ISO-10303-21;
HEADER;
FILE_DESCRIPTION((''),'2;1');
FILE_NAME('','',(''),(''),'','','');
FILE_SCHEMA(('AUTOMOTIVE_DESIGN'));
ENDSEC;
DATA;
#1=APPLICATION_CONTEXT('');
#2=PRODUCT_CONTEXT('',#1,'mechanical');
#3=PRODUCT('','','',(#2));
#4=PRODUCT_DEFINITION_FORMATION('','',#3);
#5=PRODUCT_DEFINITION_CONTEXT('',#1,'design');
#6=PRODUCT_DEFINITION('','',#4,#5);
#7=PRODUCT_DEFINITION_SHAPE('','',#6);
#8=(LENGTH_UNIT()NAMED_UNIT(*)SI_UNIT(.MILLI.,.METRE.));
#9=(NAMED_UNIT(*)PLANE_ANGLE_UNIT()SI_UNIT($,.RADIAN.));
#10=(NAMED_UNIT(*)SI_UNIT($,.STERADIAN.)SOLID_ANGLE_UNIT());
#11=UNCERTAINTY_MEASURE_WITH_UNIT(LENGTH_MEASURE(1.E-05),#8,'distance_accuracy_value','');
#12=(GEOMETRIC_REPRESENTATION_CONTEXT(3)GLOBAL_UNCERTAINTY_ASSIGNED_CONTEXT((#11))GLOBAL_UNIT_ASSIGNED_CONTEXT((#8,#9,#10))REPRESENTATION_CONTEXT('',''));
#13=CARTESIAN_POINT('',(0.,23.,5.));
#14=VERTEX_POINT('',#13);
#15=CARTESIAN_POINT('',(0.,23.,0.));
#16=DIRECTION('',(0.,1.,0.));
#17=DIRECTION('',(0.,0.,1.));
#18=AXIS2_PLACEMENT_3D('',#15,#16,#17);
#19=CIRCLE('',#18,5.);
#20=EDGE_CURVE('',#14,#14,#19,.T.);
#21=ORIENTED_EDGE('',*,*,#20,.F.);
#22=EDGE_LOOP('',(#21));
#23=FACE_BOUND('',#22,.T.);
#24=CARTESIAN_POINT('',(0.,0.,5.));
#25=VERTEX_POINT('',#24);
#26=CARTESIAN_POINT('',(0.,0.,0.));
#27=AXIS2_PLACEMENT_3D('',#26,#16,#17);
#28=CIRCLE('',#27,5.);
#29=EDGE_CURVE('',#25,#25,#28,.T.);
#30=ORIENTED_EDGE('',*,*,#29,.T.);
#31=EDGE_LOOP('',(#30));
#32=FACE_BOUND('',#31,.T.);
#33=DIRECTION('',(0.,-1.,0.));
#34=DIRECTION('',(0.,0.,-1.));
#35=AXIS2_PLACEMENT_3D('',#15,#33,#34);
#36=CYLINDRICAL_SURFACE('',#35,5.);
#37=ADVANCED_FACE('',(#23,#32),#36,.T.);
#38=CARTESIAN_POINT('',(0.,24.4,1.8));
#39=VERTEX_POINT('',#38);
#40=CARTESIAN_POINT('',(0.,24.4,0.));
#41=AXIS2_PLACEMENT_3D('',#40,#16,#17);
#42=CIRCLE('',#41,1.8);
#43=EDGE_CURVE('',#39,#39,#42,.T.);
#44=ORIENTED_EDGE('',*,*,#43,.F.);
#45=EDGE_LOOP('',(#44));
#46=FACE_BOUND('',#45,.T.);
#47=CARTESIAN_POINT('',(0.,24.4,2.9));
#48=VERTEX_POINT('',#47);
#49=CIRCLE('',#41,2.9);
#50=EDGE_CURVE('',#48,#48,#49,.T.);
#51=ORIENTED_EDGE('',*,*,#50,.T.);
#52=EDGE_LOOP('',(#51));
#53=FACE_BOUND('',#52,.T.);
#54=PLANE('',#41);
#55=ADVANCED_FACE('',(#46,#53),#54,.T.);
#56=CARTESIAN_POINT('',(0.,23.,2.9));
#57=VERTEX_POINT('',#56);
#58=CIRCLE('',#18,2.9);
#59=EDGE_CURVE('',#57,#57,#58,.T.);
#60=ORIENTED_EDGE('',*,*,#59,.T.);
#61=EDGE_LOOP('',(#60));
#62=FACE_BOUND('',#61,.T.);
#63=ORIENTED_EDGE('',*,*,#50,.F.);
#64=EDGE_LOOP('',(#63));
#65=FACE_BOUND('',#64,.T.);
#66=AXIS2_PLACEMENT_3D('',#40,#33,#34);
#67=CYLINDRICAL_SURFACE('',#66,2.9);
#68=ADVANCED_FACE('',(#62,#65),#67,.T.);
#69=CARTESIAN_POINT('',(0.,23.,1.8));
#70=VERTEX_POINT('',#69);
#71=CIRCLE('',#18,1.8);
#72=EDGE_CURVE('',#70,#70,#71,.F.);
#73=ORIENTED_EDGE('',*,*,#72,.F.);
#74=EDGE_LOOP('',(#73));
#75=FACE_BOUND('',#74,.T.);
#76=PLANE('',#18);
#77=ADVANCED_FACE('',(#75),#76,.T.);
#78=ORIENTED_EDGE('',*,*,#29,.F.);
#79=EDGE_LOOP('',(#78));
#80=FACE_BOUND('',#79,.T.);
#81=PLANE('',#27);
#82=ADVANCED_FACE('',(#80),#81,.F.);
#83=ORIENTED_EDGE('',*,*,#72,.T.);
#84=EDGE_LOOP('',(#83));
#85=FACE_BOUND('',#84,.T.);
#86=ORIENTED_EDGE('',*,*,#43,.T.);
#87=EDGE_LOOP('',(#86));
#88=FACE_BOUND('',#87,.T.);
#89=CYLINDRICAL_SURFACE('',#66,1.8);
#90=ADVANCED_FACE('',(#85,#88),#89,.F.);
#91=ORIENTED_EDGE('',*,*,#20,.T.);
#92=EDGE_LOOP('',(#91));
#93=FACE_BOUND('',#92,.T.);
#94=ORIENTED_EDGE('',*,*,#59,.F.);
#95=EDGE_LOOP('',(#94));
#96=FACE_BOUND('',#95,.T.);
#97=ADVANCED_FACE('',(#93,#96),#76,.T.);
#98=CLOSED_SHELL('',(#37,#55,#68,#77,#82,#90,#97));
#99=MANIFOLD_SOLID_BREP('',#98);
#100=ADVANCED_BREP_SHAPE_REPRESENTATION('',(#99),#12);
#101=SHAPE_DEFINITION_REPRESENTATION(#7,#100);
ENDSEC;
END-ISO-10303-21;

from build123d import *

# Parameters (mm, degrees)
ESQUISSE1_R        = 5
BOSS_EXTRU_1_DEPTH = 23
ESQUISSE2_R        = 2.9
ESQUISSE2_R_2      = 1.8
BOSS_EXTRU_2_DEPTH = 1.4


with BuildPart() as part:
    # Esquisse1 → Boss.-Extru.1 (new body)
    with BuildSketch(Plane(origin=(0, 0, 0), x_dir=(1, 0, 0), z_dir=(0, 1, 0))):
        with Locations(Location((0, 0, 0), (0, 0, 270))):
            Circle(ESQUISSE1_R)
    extrude(amount=BOSS_EXTRU_1_DEPTH)

    # Esquisse2 → Boss.-Extru.2 (add)
    with BuildSketch(Plane(origin=(0, 23, 0), x_dir=(1, 0, 0), z_dir=(0, 1, 0))):
        with Locations(Location((0, 0, 0), (0, 0, 270))):
            Circle(ESQUISSE2_R)
        with Locations(Location((0, 0, 0), (0, 0, 270))):
            Circle(ESQUISSE2_R_2, mode=Mode.SUBTRACT)
    extrude(amount=BOSS_EXTRU_2_DEPTH)


solid = part.part
